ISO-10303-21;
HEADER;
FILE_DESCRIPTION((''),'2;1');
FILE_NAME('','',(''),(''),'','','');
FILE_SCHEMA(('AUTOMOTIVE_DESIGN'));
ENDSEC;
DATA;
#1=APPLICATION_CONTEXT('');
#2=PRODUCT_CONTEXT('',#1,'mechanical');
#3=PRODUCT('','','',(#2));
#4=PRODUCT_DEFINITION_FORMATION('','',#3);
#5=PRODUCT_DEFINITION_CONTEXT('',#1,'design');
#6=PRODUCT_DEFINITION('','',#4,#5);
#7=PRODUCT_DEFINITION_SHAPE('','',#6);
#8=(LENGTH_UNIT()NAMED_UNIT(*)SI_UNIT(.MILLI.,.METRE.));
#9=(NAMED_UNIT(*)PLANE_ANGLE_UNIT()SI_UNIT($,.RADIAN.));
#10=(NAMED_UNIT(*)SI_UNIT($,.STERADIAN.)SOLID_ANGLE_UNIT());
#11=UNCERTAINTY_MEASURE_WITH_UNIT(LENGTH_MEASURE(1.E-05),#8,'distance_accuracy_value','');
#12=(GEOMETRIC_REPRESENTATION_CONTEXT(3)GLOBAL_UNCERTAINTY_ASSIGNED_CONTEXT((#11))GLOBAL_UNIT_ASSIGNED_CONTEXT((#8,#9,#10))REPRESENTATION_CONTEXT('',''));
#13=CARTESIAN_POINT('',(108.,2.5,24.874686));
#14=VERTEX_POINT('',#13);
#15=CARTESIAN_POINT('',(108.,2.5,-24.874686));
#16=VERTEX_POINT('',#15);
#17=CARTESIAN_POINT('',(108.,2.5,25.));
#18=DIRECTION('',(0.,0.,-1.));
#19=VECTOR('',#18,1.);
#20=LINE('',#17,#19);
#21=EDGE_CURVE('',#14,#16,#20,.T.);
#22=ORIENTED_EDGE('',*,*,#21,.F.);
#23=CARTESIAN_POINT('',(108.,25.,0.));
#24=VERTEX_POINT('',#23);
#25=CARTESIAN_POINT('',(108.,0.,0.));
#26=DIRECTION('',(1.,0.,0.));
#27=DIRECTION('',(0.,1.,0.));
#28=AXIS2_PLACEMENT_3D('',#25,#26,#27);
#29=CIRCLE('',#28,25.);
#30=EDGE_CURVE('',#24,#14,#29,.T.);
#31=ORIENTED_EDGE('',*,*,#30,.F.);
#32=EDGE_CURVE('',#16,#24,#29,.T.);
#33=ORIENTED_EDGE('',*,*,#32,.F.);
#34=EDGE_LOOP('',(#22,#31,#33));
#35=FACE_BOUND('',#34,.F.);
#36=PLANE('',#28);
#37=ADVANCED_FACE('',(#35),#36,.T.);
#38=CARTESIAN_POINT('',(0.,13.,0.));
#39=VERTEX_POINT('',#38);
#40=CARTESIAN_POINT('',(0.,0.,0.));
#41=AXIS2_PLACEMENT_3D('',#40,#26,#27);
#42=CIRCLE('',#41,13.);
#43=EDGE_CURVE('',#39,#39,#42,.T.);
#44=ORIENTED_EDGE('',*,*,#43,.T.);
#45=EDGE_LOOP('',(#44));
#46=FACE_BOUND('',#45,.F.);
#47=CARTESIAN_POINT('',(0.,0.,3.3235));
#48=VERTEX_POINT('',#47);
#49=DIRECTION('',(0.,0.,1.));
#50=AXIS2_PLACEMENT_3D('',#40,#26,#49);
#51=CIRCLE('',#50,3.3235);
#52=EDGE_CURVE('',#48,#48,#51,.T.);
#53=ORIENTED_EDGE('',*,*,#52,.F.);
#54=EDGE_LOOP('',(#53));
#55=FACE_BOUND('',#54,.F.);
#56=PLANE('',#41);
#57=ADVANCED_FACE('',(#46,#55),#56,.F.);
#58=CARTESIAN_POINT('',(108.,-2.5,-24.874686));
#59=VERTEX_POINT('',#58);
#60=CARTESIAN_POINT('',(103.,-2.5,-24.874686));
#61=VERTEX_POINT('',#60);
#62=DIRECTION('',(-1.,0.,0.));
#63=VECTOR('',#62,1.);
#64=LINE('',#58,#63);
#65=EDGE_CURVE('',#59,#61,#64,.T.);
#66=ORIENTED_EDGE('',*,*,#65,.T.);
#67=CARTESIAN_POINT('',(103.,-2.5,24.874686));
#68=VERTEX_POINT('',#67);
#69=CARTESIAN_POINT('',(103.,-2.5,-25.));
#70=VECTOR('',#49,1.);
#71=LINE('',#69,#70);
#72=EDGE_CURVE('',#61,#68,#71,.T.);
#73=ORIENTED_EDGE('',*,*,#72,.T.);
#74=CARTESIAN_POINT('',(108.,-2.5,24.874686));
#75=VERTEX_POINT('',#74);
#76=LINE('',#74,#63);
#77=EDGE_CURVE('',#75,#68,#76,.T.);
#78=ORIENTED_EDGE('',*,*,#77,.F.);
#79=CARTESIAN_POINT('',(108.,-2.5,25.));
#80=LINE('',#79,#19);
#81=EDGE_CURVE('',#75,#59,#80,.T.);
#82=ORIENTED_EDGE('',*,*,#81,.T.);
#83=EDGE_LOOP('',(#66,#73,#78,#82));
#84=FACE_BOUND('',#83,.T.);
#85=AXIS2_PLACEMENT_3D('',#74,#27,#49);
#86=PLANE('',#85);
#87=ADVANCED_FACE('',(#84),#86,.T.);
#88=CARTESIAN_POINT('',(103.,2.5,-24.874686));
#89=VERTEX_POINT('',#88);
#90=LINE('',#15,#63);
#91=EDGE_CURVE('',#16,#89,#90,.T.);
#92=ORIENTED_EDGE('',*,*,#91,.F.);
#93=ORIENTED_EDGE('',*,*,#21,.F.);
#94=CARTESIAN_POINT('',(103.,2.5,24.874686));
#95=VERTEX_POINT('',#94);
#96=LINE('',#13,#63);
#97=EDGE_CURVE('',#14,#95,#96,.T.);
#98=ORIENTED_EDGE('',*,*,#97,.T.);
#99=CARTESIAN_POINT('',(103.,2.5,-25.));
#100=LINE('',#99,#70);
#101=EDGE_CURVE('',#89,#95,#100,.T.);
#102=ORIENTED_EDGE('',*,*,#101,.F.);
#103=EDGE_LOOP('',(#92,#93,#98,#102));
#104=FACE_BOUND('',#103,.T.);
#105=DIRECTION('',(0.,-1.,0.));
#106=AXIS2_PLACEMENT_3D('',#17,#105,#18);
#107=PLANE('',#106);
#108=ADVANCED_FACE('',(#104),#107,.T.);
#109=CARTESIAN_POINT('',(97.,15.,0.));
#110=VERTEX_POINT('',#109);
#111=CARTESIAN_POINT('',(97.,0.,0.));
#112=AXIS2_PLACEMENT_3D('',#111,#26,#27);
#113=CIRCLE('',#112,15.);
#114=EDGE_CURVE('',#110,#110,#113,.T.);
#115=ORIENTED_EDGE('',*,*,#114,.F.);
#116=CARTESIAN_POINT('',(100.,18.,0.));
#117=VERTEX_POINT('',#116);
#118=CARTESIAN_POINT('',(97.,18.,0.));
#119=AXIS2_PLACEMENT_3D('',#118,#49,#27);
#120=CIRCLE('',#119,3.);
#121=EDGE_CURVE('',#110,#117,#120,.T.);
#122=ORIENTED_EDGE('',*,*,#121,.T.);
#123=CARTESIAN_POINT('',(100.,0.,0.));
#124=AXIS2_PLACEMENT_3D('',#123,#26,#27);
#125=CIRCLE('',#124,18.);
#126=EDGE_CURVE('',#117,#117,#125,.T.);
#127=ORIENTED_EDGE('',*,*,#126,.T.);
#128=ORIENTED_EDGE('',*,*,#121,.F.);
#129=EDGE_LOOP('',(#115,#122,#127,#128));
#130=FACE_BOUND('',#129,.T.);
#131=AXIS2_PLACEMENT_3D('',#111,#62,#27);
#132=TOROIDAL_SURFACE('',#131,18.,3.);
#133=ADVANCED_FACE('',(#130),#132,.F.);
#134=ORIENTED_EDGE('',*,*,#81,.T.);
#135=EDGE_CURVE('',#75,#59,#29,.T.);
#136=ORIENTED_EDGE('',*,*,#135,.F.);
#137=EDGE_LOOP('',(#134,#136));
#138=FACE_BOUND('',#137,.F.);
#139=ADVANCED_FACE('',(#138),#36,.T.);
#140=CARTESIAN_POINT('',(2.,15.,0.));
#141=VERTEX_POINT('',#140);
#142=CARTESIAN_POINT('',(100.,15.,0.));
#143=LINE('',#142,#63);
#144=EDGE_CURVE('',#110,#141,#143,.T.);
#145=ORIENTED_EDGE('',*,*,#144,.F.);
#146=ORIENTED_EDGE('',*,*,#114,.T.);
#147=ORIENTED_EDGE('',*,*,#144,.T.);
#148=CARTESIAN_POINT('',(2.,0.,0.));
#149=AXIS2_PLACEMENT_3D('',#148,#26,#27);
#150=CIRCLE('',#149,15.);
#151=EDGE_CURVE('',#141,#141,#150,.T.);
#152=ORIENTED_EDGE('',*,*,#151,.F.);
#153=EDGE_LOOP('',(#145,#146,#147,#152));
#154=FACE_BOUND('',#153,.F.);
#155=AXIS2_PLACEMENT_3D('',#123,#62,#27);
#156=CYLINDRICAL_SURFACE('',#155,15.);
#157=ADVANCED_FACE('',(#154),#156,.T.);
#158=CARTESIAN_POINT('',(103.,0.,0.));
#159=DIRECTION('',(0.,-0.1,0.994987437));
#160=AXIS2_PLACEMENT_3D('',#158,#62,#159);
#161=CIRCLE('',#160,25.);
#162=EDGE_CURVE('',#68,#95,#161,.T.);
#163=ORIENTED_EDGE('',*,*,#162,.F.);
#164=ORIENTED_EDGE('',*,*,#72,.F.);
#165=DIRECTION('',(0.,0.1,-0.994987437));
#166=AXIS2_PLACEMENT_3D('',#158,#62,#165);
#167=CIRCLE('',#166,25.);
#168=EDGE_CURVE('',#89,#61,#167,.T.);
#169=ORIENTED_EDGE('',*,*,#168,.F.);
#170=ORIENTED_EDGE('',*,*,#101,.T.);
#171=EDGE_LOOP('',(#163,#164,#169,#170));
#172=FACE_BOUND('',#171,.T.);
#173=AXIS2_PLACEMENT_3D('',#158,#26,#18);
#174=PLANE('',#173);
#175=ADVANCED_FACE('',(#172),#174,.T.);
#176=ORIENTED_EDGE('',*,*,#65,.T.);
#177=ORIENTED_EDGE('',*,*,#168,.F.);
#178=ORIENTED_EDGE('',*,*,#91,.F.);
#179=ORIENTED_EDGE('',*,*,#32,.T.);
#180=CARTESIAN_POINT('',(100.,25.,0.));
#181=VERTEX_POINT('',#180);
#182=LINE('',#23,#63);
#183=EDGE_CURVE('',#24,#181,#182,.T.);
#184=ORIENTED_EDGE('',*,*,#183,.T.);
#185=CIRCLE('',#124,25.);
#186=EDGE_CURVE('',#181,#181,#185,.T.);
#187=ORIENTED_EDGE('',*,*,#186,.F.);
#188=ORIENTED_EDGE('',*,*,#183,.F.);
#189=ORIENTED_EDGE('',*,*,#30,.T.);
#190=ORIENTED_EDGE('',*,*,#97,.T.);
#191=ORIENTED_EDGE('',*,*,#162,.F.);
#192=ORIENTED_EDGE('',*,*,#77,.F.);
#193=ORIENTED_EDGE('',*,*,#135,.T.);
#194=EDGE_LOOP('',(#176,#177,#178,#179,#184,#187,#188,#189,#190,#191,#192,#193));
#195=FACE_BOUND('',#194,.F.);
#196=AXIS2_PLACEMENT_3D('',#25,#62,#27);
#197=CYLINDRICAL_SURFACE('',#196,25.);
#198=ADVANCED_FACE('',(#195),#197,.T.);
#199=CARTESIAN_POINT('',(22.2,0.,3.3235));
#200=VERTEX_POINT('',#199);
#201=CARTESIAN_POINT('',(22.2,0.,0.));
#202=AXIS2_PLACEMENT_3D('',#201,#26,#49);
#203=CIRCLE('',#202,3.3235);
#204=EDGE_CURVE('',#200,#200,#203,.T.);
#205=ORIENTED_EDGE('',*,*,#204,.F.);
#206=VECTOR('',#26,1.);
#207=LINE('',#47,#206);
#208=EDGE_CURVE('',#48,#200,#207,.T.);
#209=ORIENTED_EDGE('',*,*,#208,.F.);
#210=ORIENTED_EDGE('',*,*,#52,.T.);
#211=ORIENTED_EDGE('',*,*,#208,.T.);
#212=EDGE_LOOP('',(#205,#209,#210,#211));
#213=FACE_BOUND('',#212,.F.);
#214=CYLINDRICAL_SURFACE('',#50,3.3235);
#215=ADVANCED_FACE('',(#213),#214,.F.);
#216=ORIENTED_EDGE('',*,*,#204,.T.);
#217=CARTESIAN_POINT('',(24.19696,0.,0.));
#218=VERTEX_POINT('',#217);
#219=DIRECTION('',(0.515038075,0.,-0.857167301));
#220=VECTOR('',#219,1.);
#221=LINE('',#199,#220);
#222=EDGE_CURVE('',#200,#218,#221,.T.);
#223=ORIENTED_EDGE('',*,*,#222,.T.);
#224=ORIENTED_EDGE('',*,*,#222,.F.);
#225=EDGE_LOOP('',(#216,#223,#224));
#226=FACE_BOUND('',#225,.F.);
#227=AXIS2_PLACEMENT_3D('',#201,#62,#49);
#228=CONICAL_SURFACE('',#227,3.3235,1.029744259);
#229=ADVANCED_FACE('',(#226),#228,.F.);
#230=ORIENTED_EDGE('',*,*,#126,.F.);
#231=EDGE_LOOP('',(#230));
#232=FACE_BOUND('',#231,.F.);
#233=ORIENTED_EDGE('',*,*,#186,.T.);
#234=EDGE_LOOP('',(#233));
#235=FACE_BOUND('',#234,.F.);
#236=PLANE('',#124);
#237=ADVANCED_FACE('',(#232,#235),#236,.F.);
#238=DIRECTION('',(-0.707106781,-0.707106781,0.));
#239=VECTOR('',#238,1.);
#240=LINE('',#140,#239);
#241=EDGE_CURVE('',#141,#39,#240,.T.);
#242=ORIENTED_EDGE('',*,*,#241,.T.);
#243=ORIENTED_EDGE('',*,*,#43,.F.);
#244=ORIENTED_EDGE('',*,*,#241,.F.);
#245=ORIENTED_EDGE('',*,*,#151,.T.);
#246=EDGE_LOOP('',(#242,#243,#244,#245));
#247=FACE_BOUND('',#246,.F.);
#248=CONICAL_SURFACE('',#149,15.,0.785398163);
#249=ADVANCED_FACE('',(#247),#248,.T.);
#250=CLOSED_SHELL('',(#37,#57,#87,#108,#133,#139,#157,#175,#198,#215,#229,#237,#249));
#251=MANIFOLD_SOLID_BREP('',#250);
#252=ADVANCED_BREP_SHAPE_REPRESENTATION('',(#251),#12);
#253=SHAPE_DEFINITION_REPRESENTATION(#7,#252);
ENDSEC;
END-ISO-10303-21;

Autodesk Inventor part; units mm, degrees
ref_plane "YZ Plane" through (0, 0, 0) normal (1, 0, 0) x (0, 1, 0)
ref_plane "XZ Plane" through (0, 0, 0) normal (0, 1, 0) x (-1, 0, 0)
ref_plane "XY Plane" through (0, 0, 0) normal (0, 0, 1) x (1, 0, 0)
sketch "Sketch1" plane through (0, 0, 0) normal (0, 0, 1) x (1, 0, 0)
  line L0 (0, 0) -> (100, 0)
  line L1 (100, 0) -> (100, 15)
  line L2 (100, 15) -> (0, 15)
  line L3 (0, 15) -> (0, 0)
  line L4 (100, 0) -> (108, 0)
  line L5 (108, 0) -> (108, 25)
  line L6 (108, 25) -> (100, 25)
  line L7 (100, 25) -> (100, 0)
  dimension "d0" = 15
  dimension "d1" = 25
  dimension "d2" = 100
  dimension "d3" = 8
revolve "Revolution1" add sketch "Sketch1" angle 360 about axis through (0, 0, 0) along (1, 0, 0)
fillet "Fillet1" radius 3 1 edges at (100, -15, 0)
chamfer "Chamfer1" distance 2 angle 45 1 edges at (0, -15, 0)
sketch "Sketch2" plane through (0, 0, 0) normal (-1, 0, 0) x (0, 0, 1)
  point P0 (0, 0)
  point P1 (0, 0)
hole "Hole1" at (0, 0, 0) direction (1, 0, 0) diameter 6.647 depth 22.2 tip angle 118 thread size "M8x1.25" class "6H" standard "ANSI Metric M Profile"
sketch "Sketch3" plane through (108, 0, 0) normal (1, 0, 0) x (0, 0, -1)
  line L0 (-25, 2.5) -> (25, 2.5)
  line L1 (25, 2.5) -> (25, -2.5)
  line L2 (25, -2.5) -> (-25, -2.5)
  line L3 (-25, -2.5) -> (-25, 2.5)
  circle A0 centre (0, 0) radius 18 projected
  circle A1 centre (0, 0) radius 25 projected
  dimension "d16" = 50
  dimension "d17" = 50
  dimension "d18" = 25
  dimension "d19" = 5
  dimension "d20" = 2.5
extrude "Extrusion1" cut sketch "Sketch3" against normal blind 5 contours L0 A1 L3 | L0 A0 L2 A1 | A1 L2 L3 | L0 A0 L2 | A1 L2 A0 L0 | L0 L1 A1 | L1 L2 A1
equation "\"d17\" = d16"
equation "\"d18\" = 0.5 * d17"
equation "\"d20\" = 0.5 * d19"
properties part number "Top_Hinge Cylinder" material "Stainless Steel"
